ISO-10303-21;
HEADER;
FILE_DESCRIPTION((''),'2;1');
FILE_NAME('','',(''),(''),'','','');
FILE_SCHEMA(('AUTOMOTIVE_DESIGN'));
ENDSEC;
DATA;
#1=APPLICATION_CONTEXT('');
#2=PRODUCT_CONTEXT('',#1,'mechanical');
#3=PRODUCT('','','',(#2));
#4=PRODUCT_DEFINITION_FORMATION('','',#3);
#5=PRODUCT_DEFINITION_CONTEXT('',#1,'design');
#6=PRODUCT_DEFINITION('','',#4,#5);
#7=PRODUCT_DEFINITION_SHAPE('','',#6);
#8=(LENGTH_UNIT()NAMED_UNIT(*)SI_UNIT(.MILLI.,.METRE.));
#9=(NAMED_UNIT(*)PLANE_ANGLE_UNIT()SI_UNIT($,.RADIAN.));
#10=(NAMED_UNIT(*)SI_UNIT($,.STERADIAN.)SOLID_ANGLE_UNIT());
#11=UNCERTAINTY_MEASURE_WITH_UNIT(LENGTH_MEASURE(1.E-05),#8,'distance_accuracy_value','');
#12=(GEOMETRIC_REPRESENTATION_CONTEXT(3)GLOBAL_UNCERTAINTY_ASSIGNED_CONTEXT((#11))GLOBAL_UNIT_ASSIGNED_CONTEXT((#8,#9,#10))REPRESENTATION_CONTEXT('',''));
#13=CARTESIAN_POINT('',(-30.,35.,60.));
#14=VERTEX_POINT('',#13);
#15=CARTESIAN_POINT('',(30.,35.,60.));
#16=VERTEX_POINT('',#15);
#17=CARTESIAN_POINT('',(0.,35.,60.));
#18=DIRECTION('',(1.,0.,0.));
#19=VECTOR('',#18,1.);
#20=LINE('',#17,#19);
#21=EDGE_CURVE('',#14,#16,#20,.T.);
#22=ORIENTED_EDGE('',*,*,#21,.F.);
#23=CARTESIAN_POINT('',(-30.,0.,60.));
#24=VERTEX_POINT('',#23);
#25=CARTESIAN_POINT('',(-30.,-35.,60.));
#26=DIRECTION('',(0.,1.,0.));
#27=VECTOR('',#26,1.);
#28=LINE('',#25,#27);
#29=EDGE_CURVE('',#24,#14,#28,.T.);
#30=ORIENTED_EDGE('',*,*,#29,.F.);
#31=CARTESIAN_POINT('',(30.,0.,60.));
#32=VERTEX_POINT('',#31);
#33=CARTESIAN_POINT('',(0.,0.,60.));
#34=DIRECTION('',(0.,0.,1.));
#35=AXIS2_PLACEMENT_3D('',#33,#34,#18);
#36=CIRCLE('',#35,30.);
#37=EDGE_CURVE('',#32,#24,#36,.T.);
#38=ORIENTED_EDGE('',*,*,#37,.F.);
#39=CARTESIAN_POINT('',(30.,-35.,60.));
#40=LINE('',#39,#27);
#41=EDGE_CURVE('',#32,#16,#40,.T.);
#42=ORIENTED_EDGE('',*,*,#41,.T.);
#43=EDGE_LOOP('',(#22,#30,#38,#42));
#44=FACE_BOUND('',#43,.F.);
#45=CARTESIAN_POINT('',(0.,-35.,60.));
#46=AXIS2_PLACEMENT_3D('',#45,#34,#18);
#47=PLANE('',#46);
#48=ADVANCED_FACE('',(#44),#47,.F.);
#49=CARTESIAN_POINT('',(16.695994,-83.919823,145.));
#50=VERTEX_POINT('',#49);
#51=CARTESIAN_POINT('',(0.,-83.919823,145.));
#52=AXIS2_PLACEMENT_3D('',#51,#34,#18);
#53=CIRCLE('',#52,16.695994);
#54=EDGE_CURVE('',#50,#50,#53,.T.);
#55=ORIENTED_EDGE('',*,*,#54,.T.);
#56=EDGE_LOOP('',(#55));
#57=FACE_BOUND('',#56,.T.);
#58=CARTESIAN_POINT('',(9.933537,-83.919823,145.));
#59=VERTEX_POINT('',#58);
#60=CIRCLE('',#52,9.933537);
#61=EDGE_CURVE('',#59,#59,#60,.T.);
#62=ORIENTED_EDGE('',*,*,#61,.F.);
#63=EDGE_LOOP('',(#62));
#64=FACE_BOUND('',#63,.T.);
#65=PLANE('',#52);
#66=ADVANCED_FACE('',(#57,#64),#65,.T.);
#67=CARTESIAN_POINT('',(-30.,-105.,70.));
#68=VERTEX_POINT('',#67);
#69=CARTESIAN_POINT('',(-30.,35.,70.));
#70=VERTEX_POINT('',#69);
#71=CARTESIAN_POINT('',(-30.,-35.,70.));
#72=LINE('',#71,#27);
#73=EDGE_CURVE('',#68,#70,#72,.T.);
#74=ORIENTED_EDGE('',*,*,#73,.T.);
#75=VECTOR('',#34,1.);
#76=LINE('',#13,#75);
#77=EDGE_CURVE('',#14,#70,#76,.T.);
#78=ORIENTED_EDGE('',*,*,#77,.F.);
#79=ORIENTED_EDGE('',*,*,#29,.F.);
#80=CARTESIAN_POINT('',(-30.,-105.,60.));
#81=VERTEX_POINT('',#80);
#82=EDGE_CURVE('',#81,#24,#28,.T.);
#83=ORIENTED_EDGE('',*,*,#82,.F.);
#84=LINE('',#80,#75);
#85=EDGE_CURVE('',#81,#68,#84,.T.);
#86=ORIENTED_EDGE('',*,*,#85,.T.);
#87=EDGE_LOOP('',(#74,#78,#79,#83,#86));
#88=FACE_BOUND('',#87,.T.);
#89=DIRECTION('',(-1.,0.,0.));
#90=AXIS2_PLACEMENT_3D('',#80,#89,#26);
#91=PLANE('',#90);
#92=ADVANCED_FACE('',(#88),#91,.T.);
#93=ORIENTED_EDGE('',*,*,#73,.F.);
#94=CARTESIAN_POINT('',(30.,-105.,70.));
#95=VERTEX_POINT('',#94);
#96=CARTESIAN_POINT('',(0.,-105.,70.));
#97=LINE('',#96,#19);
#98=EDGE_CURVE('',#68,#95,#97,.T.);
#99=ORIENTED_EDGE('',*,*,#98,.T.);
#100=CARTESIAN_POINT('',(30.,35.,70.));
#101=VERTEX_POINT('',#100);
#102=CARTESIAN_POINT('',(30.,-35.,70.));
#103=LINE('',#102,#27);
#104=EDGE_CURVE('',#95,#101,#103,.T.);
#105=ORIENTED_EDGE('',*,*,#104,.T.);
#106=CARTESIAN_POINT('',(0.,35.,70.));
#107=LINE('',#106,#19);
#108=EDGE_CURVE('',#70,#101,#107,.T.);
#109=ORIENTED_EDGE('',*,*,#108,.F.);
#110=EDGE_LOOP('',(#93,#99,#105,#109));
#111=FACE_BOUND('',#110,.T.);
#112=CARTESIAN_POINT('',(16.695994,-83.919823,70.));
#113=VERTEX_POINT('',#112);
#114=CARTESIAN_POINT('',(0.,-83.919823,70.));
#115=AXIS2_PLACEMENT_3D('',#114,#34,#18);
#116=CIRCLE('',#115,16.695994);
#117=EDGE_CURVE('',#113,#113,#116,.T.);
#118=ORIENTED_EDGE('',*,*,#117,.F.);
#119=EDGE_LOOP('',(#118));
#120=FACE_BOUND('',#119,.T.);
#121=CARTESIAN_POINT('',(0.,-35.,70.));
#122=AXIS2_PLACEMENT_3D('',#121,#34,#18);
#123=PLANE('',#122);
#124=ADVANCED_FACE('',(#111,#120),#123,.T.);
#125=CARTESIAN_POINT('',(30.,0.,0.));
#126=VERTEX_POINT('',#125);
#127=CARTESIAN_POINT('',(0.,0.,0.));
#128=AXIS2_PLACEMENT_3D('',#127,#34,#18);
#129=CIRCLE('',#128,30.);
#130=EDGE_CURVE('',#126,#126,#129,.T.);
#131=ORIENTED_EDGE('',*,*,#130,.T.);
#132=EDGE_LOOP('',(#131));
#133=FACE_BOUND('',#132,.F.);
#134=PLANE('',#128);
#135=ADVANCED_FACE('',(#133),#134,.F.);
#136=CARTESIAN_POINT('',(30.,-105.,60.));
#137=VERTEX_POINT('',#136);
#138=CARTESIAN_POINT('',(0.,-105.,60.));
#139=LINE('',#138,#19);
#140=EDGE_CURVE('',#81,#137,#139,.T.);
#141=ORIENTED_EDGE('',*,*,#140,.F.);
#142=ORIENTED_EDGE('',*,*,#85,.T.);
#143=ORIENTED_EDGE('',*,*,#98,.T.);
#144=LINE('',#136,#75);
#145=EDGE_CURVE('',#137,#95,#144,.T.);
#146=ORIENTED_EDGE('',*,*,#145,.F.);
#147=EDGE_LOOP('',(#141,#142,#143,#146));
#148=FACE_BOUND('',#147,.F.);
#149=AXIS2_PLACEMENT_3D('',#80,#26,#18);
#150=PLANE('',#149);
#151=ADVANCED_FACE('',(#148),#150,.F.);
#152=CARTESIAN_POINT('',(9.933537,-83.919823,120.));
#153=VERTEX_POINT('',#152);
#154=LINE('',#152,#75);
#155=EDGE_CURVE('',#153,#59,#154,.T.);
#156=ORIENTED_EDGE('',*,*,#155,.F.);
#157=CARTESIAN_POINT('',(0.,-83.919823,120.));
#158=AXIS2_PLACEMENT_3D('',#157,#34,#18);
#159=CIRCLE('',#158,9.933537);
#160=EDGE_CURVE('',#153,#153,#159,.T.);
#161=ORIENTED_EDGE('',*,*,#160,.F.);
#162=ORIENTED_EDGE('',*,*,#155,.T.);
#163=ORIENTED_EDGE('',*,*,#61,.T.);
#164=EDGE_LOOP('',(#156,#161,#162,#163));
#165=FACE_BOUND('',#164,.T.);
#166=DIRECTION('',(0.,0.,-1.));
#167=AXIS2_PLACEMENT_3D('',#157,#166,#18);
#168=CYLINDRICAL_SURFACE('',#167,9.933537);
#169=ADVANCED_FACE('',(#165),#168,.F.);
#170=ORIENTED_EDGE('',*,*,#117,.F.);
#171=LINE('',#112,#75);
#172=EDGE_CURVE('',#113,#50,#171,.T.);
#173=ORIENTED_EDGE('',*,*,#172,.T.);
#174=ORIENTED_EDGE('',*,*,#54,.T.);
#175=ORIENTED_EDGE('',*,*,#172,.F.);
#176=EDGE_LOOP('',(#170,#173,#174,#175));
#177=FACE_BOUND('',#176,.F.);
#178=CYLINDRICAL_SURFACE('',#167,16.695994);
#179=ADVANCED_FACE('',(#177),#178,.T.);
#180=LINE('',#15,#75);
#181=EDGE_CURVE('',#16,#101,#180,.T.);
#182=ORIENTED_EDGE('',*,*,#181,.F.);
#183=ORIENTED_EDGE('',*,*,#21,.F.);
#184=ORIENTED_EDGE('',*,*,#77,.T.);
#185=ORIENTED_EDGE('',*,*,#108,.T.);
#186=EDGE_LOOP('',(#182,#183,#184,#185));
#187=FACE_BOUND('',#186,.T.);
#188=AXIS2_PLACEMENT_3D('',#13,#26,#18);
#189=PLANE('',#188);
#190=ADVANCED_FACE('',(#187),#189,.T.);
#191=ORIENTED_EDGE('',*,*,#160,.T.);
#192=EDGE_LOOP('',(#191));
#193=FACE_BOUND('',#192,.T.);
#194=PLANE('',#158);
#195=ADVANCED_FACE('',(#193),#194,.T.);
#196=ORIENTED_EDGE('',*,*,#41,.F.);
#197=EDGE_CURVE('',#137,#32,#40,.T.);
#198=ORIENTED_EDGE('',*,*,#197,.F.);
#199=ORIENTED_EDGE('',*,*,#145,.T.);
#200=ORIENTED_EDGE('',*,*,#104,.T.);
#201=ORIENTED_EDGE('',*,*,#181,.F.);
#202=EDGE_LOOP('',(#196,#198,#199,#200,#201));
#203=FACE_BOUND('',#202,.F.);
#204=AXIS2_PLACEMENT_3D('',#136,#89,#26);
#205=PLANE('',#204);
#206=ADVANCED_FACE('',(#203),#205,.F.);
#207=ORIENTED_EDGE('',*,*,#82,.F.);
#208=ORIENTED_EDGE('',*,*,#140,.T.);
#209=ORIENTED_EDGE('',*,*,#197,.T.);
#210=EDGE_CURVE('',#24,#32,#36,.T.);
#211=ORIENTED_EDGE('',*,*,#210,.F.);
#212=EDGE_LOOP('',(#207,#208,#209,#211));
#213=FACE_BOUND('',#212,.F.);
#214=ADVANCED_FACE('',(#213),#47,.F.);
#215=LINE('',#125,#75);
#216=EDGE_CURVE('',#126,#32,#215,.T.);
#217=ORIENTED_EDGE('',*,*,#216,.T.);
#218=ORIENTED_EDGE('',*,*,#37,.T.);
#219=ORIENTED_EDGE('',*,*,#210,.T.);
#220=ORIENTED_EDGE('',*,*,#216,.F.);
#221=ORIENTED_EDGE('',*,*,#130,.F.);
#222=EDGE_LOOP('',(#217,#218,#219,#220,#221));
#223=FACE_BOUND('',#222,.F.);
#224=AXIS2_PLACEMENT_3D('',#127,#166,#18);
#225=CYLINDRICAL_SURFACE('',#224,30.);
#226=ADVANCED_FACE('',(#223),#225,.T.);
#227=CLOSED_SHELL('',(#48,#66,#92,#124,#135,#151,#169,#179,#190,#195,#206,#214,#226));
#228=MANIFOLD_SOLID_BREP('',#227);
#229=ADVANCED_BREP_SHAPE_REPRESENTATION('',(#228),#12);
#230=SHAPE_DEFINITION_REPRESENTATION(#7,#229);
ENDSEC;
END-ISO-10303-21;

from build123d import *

# Parameters (mm, degrees)
F0_R     = 30
F1_DEPTH = 60
F2_W     = 60
F2_H     = 140
F3_DEPTH = 10
F4_R     = 16.695994
F5_DEPTH = 50
F6_R     = 16.695994
F6_R_2   = 9.933537
F7_DEPTH = 25


with BuildPart() as f1:
    # F0 (on Top) → F1 (new body)
    with BuildSketch(Plane.XY):
        Circle(F0_R)
    extrude(amount=F1_DEPTH)

    # F2 (on face) → F3 (join)
    with BuildSketch(Plane.XY.offset(60)):
        with Locations((0, -35)):
            Rectangle(F2_W, F2_H)
    extrude(amount=F3_DEPTH)

    # F4 (on face) → F5 (join)
    with BuildSketch(Plane.XY.offset(70)):
        with Locations((0, -83.919823)):
            Circle(F4_R)
    extrude(amount=F5_DEPTH)

    # F6 (on face) → F7 (join)
    with BuildSketch(Plane.XY.offset(120)):
        with Locations((0, -83.919823)):
            Circle(F6_R)
        with Locations((0, -83.919823)):
            Circle(F6_R_2, mode=Mode.SUBTRACT)
    extrude(amount=F7_DEPTH)


solid = f1.part
